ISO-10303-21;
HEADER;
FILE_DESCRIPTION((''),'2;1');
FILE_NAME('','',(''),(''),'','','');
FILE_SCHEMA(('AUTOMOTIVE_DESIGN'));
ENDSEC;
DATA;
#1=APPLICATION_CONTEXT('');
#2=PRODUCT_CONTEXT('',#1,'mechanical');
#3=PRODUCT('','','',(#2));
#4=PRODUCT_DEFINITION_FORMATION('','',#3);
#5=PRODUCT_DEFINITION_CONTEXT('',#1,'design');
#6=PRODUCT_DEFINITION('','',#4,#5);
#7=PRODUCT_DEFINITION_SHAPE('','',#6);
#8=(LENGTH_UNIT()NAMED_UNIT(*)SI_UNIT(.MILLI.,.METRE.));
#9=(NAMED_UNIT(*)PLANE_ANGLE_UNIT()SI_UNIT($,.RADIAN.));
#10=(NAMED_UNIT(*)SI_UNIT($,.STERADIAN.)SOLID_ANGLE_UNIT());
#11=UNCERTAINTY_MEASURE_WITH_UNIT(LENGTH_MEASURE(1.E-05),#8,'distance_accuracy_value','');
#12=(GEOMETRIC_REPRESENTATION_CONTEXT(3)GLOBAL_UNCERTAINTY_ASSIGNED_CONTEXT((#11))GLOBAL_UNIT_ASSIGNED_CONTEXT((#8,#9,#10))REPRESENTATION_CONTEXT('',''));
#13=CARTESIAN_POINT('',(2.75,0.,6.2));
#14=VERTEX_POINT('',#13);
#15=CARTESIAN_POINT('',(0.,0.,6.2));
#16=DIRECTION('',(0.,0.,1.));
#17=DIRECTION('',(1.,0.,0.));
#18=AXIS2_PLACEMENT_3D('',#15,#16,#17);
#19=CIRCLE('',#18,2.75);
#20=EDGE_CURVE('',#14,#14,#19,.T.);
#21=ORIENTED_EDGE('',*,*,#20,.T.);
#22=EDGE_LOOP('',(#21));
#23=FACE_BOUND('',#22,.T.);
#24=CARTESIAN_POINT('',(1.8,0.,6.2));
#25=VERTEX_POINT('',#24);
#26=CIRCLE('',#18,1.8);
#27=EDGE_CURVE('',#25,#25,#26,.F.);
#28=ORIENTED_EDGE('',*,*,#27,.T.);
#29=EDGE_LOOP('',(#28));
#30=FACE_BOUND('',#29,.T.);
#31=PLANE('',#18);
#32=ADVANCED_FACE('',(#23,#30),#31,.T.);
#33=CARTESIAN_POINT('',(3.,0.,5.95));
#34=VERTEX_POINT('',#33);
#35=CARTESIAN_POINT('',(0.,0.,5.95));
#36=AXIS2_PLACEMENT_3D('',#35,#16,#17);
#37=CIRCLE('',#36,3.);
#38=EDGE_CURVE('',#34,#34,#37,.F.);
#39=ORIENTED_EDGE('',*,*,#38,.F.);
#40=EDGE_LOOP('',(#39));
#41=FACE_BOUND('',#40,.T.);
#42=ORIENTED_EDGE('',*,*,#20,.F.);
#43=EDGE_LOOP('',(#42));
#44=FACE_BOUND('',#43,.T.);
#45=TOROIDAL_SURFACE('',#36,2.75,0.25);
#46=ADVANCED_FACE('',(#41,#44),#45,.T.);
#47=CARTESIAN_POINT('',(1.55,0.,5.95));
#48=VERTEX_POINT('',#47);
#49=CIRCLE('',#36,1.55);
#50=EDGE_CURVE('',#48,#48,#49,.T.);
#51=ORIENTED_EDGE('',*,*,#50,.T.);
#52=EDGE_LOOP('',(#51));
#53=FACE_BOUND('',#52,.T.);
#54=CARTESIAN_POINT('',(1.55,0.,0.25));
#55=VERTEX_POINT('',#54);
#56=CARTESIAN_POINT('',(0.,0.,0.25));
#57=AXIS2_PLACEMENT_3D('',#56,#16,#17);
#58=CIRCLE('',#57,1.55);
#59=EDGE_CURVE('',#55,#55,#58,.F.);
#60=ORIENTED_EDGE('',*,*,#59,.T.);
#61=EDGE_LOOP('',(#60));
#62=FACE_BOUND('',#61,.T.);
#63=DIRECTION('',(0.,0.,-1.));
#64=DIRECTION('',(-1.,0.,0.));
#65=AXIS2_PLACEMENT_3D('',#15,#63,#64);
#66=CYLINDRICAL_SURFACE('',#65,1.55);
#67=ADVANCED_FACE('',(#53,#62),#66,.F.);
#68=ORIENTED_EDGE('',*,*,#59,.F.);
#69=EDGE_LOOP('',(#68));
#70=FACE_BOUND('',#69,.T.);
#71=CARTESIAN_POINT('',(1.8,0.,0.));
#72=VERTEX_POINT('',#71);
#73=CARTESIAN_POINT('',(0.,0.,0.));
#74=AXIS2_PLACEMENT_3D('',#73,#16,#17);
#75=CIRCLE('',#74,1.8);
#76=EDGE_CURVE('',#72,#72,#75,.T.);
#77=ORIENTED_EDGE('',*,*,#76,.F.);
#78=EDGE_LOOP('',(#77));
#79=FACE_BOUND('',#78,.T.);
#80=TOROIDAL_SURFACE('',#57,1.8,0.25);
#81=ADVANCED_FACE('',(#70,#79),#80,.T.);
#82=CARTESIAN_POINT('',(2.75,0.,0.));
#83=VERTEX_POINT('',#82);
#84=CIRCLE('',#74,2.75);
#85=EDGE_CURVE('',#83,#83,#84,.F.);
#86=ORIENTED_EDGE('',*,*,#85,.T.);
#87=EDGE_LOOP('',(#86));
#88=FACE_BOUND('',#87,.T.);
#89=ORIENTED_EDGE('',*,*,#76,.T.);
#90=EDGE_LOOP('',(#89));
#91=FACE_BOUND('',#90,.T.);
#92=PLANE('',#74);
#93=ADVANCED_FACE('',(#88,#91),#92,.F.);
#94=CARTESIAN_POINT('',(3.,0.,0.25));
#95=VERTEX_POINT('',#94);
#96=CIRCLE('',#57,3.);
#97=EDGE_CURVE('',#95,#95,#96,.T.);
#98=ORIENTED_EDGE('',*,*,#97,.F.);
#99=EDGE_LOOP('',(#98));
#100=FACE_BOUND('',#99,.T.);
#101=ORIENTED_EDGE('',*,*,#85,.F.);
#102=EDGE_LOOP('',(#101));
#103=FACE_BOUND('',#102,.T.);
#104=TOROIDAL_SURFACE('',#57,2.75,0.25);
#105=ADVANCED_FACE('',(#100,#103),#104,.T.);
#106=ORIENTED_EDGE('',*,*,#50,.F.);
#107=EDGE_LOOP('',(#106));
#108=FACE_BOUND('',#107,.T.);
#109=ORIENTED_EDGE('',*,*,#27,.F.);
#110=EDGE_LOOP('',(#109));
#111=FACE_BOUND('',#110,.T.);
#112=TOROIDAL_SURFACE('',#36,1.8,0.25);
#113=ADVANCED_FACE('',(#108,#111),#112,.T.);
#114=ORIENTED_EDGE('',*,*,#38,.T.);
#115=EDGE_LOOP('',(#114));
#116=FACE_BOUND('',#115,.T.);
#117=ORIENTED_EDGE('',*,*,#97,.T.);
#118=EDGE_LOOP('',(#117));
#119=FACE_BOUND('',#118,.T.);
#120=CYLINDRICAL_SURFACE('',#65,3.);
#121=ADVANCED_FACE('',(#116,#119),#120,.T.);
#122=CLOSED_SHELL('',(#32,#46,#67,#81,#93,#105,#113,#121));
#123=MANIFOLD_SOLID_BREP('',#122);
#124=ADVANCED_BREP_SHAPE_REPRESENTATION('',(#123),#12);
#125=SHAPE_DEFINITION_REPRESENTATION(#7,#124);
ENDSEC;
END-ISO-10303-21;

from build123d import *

# Parameters (mm, degrees)
SKICA2_R                = 3
SKICA2_R_2              = 1.55
P_IDAT_VYSUNUT_M1_DEPTH = 6.2
ZAOBLIT1_R              = 0.25


with BuildPart() as part:
    # Skica2 → Přidat vysunutím1 (new body)
    with BuildSketch(Plane.XY):
        Circle(SKICA2_R)
        Circle(SKICA2_R_2, mode=Mode.SUBTRACT)
    extrude(amount=P_IDAT_VYSUNUT_M1_DEPTH)

    # Zaoblit1
    zaoblit1_edges = [part.edges().sort_by_distance(p)[0] for p in [
        (-3, 0, 0),
        (-3, 0, 6.2),
        (-1.55, 0, 0),
        (-1.55, 0, 6.2),
    ]]
    fillet(zaoblit1_edges, radius=ZAOBLIT1_R)


solid = part.part
